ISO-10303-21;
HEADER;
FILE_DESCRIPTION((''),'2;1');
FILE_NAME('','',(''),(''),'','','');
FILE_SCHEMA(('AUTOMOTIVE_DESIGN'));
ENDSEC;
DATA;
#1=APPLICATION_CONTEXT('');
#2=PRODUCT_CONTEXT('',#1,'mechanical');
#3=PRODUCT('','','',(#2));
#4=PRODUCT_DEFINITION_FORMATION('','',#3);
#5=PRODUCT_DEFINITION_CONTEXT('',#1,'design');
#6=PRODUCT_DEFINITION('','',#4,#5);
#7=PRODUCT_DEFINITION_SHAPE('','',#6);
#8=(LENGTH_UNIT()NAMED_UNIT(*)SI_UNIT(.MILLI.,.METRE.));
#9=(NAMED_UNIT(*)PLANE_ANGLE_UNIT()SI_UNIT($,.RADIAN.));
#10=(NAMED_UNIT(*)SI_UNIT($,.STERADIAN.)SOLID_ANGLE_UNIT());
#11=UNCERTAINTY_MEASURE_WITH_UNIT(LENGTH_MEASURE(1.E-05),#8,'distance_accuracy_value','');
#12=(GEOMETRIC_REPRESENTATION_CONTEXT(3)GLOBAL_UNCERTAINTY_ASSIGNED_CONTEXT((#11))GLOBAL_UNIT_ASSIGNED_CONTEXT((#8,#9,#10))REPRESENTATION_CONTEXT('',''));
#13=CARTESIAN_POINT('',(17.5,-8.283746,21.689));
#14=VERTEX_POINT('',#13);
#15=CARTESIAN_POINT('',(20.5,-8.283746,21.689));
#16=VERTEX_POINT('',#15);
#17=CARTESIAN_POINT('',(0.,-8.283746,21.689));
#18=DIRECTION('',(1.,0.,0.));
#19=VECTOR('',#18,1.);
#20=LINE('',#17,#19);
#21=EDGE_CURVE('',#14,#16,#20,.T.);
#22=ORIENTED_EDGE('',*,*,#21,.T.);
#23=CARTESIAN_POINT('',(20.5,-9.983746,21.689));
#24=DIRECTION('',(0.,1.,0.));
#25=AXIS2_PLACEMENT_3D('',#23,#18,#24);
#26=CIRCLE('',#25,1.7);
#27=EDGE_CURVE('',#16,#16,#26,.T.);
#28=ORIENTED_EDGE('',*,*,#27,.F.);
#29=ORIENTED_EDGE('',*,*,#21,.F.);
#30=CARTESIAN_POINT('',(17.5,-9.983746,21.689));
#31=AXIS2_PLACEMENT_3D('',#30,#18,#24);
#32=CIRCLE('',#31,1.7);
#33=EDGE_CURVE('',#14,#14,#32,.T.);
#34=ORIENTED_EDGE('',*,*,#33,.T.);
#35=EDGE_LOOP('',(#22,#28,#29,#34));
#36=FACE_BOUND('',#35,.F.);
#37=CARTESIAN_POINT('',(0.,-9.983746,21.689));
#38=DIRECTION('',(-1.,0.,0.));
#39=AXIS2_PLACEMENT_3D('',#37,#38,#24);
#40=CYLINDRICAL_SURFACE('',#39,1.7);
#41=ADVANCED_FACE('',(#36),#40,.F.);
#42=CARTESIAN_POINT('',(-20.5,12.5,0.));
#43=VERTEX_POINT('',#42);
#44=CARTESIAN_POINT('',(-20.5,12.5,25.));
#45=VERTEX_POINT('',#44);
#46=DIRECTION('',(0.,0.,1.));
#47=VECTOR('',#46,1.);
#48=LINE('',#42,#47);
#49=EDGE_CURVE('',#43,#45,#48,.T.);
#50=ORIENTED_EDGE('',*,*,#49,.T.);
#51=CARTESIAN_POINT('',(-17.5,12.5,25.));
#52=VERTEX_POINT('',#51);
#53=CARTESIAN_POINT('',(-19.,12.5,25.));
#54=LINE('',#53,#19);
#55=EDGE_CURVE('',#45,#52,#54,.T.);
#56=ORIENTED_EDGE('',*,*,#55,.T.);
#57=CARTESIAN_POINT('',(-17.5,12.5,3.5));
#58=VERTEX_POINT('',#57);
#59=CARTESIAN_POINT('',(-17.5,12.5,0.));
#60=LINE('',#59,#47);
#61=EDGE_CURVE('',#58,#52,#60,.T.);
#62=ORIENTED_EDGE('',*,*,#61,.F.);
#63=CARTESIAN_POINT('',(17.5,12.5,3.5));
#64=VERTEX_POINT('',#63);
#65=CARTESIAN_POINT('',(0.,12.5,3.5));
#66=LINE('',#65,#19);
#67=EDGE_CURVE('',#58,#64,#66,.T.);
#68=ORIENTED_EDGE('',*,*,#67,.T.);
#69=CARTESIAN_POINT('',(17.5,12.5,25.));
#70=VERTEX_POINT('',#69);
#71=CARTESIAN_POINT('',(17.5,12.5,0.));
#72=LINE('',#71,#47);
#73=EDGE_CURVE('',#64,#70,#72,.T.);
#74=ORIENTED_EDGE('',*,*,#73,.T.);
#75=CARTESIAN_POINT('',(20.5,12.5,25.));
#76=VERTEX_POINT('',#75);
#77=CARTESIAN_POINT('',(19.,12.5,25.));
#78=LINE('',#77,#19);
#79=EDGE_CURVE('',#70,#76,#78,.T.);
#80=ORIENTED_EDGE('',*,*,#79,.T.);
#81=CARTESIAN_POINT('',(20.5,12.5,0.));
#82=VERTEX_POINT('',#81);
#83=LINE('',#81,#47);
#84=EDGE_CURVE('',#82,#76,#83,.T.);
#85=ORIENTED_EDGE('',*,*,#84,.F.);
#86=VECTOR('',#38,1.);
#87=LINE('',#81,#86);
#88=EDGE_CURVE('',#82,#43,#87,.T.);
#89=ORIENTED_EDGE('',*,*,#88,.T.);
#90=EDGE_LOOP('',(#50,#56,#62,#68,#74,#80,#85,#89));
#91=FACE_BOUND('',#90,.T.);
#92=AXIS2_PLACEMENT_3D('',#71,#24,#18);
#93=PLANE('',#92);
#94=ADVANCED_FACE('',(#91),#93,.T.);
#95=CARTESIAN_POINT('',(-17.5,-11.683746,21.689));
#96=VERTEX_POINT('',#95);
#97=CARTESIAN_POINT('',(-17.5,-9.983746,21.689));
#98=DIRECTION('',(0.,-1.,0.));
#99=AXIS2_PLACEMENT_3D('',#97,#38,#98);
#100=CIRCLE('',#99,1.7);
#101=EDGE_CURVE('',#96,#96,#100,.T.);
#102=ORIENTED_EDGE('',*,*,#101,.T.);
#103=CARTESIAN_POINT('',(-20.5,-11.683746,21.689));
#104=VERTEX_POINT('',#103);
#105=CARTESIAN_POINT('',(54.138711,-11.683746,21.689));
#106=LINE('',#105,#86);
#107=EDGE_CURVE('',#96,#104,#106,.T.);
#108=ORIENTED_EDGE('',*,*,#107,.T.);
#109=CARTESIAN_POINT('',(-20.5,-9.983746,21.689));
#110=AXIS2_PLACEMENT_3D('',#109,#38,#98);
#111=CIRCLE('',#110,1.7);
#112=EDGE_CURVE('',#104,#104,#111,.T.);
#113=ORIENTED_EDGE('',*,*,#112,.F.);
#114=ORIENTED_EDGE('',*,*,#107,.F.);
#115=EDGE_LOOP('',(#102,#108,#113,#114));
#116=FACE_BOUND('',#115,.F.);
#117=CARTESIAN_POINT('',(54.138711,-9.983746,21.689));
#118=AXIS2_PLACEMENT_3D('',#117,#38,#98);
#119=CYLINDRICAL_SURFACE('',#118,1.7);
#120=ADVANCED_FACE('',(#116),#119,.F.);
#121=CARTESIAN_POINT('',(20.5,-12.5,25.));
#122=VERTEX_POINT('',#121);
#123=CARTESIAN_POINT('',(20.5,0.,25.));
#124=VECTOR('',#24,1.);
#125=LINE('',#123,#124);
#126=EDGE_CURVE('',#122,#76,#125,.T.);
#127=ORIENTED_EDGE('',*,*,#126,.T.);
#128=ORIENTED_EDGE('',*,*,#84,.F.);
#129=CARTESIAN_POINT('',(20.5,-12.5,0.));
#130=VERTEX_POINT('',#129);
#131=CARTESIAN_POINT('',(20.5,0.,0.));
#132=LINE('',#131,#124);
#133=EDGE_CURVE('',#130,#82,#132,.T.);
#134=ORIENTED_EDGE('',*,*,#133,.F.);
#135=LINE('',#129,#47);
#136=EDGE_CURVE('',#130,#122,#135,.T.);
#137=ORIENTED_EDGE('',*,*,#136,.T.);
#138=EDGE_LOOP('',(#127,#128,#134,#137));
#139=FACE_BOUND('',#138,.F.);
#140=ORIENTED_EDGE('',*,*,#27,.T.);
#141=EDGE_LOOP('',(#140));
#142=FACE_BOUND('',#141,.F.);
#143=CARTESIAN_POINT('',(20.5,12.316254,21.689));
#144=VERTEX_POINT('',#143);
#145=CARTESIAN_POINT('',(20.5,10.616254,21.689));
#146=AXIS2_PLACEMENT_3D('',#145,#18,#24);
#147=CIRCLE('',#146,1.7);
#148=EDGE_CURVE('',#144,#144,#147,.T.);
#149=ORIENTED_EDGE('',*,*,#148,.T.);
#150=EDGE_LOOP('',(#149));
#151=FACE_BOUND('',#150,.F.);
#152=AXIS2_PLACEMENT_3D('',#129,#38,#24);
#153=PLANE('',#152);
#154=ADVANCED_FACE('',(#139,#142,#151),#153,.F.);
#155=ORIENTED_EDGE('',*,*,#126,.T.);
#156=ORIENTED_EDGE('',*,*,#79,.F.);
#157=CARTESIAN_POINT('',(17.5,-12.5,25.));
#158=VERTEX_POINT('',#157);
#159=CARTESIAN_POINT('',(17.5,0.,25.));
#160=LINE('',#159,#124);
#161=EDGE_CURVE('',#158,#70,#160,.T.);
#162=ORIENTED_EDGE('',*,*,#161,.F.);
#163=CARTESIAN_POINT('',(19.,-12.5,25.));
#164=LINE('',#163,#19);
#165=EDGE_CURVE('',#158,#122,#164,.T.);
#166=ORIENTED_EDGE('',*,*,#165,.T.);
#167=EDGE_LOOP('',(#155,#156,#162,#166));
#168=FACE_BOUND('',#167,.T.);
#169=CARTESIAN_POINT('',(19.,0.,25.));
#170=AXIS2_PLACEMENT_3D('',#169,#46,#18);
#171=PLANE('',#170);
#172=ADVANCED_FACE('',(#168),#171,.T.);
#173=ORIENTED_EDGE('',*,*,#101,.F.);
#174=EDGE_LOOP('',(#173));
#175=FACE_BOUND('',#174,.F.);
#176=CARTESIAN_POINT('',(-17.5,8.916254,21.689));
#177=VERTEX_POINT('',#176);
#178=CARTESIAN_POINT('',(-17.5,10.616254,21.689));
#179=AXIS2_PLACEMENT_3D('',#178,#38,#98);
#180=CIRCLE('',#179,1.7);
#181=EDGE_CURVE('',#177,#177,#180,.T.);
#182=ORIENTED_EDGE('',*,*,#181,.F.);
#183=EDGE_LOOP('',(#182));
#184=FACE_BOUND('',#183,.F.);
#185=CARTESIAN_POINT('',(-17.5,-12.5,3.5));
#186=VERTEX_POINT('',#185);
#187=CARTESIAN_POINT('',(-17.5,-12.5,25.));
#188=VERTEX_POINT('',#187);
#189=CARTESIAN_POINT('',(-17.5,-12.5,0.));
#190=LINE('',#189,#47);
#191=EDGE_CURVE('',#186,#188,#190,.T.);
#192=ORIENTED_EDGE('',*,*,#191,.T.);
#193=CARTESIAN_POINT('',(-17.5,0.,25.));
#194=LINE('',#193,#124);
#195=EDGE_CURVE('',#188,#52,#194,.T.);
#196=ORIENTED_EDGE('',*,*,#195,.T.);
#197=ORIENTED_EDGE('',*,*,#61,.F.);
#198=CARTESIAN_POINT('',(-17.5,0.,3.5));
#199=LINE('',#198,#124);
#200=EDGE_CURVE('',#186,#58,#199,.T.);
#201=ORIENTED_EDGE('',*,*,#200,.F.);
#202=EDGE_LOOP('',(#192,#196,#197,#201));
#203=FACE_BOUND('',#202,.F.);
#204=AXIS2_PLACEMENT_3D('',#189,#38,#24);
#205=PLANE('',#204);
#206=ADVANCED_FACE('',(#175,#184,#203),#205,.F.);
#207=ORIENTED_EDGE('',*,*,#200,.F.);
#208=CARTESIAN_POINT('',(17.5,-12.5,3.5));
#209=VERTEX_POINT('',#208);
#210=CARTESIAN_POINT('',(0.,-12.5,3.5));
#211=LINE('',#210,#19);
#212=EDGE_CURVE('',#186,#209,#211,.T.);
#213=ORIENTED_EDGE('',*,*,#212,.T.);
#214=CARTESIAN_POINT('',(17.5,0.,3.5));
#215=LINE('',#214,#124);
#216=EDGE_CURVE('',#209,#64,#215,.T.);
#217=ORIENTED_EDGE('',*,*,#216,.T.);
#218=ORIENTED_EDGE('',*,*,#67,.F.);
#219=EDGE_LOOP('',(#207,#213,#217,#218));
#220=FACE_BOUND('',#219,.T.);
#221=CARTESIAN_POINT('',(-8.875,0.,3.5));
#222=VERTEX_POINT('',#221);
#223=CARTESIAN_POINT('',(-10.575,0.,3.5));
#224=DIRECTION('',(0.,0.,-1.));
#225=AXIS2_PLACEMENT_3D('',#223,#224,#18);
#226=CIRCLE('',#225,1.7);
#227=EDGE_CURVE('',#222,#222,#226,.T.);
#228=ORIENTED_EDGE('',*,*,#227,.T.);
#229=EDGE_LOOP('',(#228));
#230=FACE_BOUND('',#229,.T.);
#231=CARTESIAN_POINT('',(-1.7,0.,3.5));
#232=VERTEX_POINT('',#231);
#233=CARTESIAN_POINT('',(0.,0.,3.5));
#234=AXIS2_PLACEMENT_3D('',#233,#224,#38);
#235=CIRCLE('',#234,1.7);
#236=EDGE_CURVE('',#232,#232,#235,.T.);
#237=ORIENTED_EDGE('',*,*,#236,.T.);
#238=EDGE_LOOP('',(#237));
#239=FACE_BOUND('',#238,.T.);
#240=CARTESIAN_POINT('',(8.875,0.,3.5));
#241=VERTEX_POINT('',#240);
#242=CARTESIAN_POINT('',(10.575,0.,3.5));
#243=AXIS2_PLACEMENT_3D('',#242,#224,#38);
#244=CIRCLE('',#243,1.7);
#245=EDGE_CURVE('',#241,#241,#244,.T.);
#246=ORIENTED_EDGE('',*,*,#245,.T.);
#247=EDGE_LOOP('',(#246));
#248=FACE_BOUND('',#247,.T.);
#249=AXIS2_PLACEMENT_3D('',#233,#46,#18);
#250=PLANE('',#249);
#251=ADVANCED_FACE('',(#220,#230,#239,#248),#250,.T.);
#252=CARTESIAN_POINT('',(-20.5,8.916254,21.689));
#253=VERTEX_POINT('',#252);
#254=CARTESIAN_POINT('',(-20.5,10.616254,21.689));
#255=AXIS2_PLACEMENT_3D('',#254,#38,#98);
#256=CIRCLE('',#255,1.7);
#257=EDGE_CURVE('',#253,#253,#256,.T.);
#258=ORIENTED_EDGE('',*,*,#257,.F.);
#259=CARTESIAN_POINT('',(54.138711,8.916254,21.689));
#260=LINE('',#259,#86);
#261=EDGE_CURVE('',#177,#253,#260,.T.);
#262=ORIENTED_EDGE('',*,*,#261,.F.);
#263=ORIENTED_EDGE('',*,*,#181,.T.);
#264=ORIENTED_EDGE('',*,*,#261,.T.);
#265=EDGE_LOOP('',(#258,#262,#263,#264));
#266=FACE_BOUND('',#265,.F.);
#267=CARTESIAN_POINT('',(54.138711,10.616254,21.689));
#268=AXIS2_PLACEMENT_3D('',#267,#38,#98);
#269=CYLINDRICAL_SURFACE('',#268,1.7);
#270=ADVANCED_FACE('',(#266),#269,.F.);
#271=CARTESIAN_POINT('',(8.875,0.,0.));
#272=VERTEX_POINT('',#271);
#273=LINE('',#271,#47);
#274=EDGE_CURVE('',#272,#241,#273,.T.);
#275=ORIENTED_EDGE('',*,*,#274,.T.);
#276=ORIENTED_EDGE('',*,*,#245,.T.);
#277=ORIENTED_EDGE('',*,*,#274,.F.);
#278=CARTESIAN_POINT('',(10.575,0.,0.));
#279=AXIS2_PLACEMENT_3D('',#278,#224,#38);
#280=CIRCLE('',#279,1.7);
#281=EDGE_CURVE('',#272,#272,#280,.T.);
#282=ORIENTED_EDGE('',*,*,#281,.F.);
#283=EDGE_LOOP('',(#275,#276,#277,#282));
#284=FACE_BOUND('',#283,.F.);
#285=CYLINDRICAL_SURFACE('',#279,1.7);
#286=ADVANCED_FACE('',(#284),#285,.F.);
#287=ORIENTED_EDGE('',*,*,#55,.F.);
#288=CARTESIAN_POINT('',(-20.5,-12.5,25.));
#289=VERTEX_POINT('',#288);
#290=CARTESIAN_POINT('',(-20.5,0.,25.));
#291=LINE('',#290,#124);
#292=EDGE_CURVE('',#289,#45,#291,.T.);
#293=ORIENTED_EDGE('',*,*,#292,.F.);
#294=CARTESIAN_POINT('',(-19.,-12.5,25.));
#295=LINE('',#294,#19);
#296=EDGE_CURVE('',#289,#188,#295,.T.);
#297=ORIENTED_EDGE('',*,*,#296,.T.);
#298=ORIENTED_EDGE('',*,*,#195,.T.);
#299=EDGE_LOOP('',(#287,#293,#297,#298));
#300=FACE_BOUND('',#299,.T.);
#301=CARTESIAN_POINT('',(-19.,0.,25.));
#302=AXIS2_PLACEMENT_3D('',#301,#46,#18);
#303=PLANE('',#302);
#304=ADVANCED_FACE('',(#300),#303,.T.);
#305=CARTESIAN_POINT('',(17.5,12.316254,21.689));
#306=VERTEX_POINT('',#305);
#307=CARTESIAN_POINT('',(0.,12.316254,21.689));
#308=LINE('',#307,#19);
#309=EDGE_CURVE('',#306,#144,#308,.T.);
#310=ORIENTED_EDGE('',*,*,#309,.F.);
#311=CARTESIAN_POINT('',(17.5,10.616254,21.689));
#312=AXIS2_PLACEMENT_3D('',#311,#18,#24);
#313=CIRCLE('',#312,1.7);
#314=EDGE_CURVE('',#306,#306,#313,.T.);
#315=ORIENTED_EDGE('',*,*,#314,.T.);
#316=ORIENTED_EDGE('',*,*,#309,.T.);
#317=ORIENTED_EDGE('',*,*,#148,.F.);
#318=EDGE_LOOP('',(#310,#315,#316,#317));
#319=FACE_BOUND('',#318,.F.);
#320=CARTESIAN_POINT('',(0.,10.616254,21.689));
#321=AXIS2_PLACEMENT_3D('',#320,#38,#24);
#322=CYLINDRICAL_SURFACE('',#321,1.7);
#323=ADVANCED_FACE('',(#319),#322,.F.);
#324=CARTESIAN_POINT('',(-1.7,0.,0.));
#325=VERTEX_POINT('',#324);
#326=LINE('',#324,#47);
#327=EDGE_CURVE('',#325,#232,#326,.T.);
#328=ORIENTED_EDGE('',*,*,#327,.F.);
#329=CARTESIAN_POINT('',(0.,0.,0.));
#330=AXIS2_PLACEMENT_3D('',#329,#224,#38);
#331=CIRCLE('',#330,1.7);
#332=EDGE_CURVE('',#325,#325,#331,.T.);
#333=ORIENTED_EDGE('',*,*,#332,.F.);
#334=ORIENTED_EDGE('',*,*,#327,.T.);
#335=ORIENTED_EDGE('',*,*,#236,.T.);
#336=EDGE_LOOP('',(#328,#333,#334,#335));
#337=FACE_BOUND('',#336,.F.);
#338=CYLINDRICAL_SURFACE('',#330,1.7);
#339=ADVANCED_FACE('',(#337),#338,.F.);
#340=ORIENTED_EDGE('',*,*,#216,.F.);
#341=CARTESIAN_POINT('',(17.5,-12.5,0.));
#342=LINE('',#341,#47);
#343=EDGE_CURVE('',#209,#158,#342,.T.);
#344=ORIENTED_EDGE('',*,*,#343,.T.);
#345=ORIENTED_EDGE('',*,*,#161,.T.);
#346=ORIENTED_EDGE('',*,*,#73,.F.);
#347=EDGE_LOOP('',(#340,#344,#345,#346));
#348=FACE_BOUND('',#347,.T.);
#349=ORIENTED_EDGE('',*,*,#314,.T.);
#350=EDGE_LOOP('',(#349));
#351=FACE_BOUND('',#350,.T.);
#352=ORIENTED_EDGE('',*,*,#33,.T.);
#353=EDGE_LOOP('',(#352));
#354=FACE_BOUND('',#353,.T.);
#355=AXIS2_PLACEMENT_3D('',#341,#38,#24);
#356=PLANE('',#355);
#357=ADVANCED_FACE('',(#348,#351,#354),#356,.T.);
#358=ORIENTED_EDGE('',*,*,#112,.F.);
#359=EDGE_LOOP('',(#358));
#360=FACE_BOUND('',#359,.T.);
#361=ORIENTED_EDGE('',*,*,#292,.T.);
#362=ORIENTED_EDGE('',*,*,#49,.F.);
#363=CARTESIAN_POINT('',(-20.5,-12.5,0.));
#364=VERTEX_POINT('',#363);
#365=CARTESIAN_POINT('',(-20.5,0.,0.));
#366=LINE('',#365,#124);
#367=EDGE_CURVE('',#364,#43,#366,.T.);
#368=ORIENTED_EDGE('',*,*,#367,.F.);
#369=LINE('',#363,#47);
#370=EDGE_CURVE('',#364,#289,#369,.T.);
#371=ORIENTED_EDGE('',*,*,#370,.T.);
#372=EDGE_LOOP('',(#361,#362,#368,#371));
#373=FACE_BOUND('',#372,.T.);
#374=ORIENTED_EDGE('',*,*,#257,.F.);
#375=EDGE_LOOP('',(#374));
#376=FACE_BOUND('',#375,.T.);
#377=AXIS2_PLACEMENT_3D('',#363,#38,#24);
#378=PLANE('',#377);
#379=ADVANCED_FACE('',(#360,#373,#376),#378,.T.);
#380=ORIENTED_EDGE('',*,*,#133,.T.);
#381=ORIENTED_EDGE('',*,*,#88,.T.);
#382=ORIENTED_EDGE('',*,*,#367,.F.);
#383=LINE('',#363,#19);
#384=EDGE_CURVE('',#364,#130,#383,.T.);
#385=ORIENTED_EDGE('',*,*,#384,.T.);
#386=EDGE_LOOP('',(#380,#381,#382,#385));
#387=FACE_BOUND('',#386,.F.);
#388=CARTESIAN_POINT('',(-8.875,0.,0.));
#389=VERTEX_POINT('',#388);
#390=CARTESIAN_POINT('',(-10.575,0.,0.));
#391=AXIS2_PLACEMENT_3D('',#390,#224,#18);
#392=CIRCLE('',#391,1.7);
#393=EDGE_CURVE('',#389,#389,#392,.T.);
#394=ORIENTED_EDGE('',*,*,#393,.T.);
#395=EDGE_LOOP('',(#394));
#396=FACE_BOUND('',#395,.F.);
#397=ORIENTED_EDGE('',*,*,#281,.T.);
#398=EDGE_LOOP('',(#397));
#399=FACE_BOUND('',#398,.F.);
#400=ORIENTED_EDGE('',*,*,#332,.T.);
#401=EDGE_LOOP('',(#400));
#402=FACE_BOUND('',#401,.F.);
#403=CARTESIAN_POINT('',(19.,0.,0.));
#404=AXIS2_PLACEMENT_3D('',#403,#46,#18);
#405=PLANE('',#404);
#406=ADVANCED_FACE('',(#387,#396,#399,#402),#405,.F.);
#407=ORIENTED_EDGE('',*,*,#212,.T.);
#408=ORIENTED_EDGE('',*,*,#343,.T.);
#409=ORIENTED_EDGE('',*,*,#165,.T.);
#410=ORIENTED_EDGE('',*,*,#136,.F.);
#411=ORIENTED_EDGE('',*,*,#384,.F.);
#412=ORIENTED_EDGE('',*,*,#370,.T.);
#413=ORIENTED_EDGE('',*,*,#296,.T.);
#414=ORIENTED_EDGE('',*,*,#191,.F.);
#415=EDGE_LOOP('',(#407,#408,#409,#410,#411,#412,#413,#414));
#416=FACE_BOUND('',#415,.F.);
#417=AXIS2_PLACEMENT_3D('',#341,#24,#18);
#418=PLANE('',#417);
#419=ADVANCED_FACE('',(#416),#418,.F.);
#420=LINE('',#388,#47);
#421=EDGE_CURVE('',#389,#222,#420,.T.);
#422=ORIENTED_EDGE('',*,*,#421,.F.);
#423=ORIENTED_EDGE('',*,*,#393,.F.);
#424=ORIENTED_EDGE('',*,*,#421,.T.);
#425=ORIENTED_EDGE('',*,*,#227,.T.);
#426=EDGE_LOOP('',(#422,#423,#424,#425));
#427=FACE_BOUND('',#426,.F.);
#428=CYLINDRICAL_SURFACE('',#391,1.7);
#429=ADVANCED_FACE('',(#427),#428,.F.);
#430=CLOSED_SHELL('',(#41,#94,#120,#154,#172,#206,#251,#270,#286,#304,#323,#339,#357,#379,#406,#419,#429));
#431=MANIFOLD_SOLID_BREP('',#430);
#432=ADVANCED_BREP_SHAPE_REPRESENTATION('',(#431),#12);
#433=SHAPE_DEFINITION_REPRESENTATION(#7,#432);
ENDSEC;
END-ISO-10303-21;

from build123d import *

# Parameters (mm, degrees)
F0_W     = 35
F0_H     = 25
F2_DEPTH = 3.5
F0_W_2   = 3
F3_DEPTH = 25
F4_DEPTH = 25
F5_D     = 3.4
F5_DEPTH = 20.501
F6_D     = 3.4
F6_DEPTH = 20.501
F7_D     = 3.4


with BuildPart() as f2:
    # F0 (on Top) → F2 (new body)
    with BuildSketch(Plane.XY):
        Rectangle(F0_W, F0_H)
        with BuildLine():
            ThreePointArc((-12.275, 0), (-10.575, 1.7), (-8.875, 0))
            ThreePointArc((-8.875, 0), (-10.575, -1.7), (-12.275, 0))
        make_face(mode=Mode.SUBTRACT)
        with BuildLine():
            ThreePointArc((1.7, 0), (0, -1.7), (-1.7, 0))
            ThreePointArc((-1.7, 0), (0, 1.7), (1.7, 0))
        make_face(mode=Mode.SUBTRACT)
        with BuildLine():
            ThreePointArc((12.275, 0), (10.575, -1.7), (8.875, 0))
            ThreePointArc((8.875, 0), (10.575, 1.7), (12.275, 0))
        make_face(mode=Mode.SUBTRACT)
    extrude(amount=F2_DEPTH)

    # F0 (on Top) → F3 (join)
    with BuildSketch(Plane.XY):
        with Locations((-19, 0)):
            Rectangle(F0_W_2, F0_H)
    extrude(amount=F3_DEPTH)

    # F0 (on Top) → F4 (join)
    with BuildSketch(Plane.XY):
        with Locations((19, 0)):
            Rectangle(F0_W_2, F0_H)
    extrude(amount=F4_DEPTH)

    # F5 (through all, one way)
    with BuildSketch(Plane(origin=(0, 0, 0), x_dir=(0, 1, 0), z_dir=(-1, 0, 0))):
        with Locations((-9.9837460197, -21.689)):
            Circle(F5_D / 2)
    extrude(amount=-F5_DEPTH, mode=Mode.SUBTRACT)

    # F6 (through all, one way)
    with BuildSketch(Plane(origin=(0, 0, 0), x_dir=(0, 1, 0), z_dir=(-1, 0, 0))):
        with Locations((10.6162539803, -21.689)):
            Circle(F6_D / 2)
    extrude(amount=-F6_DEPTH, mode=Mode.SUBTRACT)

    # F7 (through all)
    with Locations(Plane.YZ):
        with Locations((-9.9837460197, 21.689), (10.6162539803, 21.689)):
            Hole(F7_D / 2)


solid = f2.part
